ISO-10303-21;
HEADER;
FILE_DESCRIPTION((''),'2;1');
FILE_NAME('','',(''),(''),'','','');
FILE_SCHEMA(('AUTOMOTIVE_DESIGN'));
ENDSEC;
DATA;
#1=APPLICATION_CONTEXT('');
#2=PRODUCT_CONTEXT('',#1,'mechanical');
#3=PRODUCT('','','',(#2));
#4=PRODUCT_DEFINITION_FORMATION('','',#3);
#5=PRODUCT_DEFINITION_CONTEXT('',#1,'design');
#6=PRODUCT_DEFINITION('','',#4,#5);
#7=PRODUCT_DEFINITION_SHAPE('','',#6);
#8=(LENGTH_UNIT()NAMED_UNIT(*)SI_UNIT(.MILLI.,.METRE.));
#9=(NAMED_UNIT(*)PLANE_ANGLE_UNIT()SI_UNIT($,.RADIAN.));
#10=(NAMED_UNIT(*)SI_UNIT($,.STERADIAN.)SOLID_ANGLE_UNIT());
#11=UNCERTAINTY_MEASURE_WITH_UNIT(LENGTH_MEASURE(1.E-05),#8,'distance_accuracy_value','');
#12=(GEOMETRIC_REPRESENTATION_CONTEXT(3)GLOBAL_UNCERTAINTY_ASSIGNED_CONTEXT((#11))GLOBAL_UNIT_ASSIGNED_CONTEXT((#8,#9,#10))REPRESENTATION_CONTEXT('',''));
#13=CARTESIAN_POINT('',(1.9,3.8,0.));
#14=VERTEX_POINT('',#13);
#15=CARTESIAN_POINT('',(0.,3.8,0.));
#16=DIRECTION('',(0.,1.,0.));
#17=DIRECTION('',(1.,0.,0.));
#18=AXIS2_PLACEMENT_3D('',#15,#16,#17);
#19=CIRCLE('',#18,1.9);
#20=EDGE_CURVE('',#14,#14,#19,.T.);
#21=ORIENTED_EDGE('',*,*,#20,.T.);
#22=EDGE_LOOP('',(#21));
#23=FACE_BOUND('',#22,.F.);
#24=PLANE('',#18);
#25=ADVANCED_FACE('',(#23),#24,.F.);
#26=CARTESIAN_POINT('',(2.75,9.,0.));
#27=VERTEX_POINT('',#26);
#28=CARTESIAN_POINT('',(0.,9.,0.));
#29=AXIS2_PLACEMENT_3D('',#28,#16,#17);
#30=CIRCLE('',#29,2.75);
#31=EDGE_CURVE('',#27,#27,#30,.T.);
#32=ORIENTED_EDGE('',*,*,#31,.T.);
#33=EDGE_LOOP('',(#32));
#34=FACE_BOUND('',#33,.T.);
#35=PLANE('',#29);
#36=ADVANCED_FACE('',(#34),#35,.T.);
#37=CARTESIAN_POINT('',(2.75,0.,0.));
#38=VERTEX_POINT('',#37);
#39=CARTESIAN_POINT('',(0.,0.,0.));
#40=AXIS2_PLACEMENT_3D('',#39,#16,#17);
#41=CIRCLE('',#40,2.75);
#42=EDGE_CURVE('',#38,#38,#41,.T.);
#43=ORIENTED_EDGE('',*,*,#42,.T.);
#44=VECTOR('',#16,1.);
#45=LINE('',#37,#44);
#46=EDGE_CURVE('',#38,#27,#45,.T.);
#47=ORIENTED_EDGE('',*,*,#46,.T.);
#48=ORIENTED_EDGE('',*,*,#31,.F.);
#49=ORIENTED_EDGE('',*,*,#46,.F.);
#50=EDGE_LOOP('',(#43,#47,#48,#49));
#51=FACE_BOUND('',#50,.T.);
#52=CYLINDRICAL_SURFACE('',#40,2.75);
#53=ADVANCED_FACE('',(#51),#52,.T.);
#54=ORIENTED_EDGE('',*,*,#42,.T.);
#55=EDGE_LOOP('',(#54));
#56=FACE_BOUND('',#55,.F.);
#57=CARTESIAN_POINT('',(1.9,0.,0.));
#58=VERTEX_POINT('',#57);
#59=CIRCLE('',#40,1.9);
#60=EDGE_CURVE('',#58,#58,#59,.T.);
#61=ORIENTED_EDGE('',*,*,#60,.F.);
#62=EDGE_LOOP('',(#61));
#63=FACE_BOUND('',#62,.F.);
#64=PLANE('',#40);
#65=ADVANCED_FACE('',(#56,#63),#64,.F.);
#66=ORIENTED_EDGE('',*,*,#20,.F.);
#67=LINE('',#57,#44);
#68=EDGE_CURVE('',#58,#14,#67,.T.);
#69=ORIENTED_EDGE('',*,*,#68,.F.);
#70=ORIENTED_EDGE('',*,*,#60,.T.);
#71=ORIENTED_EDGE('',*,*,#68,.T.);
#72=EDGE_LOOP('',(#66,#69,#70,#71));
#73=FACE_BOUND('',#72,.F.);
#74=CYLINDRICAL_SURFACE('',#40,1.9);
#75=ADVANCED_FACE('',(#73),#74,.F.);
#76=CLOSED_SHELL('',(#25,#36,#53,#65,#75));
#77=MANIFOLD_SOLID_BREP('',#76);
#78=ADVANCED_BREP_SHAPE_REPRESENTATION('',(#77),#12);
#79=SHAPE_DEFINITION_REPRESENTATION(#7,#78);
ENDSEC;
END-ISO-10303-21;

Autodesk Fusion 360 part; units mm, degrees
sketch "Esboço1" plane through (0, 0, 0) normal (0, 1, 0) x (1, 0, 0)
cylinder "Cilindro primitivo1" add diameter 5.5 height 9 placed x (1, 0, 0) y (0, 0, -1) z (0, 1, 0) at (0, 0, 0) makes body 1
cylinder "Cilindro primitivo2" cut diameter 3.8 height 3.8 placed x (1, 0, 0) y (0, 0, -1) z (0, 1, 0) at (0, 0, 0) bodies 1
copy_body "Corpo -> Componente1" bodies 1 removing the originals makes body 2 in component "Component'"
component "Component'" placed x (1, 0, 0) y (0, 1, 0) z (0, 0, 1) at (0, 0, 0)
